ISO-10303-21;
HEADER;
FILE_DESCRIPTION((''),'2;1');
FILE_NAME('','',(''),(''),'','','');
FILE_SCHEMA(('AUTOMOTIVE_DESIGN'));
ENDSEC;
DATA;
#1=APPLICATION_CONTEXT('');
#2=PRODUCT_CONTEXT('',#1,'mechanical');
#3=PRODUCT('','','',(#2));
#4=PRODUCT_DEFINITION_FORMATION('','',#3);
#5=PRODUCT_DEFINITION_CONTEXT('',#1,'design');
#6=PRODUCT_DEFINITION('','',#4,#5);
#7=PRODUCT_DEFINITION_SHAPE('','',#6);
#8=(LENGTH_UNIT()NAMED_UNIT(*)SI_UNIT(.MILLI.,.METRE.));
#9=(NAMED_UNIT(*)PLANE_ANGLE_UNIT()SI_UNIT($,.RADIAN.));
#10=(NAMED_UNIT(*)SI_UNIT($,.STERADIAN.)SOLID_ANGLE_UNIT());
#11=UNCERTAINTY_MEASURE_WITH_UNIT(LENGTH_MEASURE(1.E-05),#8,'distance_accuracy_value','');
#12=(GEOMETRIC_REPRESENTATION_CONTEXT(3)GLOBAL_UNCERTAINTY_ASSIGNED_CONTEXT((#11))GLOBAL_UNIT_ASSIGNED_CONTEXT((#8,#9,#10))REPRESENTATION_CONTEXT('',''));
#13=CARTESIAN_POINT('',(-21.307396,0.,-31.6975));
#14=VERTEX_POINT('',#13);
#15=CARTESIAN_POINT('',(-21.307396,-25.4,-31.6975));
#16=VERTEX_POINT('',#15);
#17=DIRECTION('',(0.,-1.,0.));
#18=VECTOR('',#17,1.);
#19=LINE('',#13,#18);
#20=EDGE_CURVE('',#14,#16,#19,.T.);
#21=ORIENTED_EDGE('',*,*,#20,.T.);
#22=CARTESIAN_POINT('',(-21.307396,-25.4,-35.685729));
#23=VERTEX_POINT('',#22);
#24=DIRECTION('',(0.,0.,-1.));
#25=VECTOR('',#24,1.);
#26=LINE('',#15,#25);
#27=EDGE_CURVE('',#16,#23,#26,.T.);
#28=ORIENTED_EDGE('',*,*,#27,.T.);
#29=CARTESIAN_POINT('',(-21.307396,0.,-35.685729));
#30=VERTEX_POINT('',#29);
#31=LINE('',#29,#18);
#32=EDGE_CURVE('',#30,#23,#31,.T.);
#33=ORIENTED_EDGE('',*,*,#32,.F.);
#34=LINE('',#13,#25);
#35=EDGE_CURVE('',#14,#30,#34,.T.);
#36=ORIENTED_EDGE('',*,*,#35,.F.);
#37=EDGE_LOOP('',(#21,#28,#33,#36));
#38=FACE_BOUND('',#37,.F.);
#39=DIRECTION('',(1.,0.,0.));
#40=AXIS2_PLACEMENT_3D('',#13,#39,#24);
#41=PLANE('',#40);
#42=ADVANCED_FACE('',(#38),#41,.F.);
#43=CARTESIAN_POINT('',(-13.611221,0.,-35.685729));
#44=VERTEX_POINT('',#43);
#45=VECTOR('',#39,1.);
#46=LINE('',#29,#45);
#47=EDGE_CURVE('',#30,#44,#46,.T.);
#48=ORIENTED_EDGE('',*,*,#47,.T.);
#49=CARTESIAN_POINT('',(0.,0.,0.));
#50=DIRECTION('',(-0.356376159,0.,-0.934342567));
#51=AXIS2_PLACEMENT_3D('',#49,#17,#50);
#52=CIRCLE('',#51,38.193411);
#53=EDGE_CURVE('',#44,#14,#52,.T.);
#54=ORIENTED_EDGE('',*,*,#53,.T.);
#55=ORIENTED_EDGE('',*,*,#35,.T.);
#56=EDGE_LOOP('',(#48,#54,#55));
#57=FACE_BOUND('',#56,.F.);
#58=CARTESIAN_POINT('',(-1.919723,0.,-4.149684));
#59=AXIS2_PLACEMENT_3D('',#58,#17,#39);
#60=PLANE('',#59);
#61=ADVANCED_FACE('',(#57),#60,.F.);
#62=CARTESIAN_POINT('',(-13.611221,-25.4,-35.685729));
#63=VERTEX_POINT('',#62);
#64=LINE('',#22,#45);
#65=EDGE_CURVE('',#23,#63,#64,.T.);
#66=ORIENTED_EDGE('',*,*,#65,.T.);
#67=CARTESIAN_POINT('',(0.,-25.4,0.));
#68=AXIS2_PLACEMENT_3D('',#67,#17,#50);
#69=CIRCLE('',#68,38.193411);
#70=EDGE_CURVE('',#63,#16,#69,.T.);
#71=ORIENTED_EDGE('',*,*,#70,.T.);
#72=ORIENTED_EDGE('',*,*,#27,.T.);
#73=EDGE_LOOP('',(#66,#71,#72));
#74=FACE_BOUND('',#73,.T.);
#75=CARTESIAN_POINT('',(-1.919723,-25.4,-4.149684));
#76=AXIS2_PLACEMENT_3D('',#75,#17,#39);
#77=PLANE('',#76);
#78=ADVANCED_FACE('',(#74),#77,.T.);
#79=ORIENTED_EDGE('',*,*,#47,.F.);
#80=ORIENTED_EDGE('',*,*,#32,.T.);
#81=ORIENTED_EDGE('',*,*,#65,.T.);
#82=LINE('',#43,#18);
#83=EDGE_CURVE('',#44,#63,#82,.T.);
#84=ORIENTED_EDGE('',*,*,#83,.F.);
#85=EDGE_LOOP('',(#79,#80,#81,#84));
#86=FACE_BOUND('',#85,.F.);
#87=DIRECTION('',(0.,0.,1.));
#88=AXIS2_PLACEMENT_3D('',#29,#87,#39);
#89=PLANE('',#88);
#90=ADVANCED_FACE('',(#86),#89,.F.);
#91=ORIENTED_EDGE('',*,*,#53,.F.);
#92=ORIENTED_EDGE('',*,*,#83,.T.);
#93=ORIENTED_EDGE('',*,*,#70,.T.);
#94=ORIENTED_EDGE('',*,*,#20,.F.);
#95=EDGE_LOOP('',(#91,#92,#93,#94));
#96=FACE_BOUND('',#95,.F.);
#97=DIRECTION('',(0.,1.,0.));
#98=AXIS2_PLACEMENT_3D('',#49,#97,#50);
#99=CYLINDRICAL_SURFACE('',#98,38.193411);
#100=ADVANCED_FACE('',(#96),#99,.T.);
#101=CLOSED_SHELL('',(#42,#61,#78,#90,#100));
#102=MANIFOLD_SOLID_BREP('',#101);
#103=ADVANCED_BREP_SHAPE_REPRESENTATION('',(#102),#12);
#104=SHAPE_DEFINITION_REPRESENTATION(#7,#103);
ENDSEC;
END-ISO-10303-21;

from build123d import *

# Parameters (mm, degrees)
F1_DEPTH = 25.4


with BuildPart() as f1:
    # F0 (on Front) → F1 (new body)
    with BuildSketch(Plane.XZ):
        with BuildLine():
            Line((-21.3073957711, -31.6974997716), (-21.3073957711, 9.9554667249))
            Line((-21.3073957711, 9.9554667249), (8.8920658454, 9.9554667249))
            Line((8.8920658454, 9.9554667249), (8.8920658454, -35.6857292354))
            Line((8.8920658454, -35.6857292354), (-13.6112209318, -35.6857292354))
            ThreePointArc((-13.6112209318, -35.6857292354), (21.6665370761, -31.4531044167), (38.1934105091, 0))
            ThreePointArc((38.1934105091, 0), (-17.9573730366, 33.7085947488), (-21.3073957711, -31.6974997716))
        make_face()
        with BuildLine():
            Line((8.8920658454, 9.9554667249), (-21.3073957711, 9.9554667249))
            Line((-21.3073957711, 9.9554667249), (-21.3073957711, -31.6974997716))
            ThreePointArc((-21.3073957711, -31.6974997716), (-17.5728182622, -33.9106570954), (-13.6112209318, -35.6857292354))
            Line((-13.6112209318, -35.6857292354), (8.8920658454, -35.6857292354))
            Line((8.8920658454, -35.6857292354), (8.8920658454, 9.9554667249))
        make_face()
        with BuildLine():
            ThreePointArc((-13.6112209318, -35.6857292354), (-17.5728182622, -33.9106570954), (-21.3073957711, -31.6974997716))
            Line((-21.3073957711, -31.6974997716), (-21.3073957711, -35.6857292354))
            Line((-21.3073957711, -35.6857292354), (-13.6112209318, -35.6857292354))
        make_face()
    extrude(amount=F1_DEPTH)


solid = f1.part
